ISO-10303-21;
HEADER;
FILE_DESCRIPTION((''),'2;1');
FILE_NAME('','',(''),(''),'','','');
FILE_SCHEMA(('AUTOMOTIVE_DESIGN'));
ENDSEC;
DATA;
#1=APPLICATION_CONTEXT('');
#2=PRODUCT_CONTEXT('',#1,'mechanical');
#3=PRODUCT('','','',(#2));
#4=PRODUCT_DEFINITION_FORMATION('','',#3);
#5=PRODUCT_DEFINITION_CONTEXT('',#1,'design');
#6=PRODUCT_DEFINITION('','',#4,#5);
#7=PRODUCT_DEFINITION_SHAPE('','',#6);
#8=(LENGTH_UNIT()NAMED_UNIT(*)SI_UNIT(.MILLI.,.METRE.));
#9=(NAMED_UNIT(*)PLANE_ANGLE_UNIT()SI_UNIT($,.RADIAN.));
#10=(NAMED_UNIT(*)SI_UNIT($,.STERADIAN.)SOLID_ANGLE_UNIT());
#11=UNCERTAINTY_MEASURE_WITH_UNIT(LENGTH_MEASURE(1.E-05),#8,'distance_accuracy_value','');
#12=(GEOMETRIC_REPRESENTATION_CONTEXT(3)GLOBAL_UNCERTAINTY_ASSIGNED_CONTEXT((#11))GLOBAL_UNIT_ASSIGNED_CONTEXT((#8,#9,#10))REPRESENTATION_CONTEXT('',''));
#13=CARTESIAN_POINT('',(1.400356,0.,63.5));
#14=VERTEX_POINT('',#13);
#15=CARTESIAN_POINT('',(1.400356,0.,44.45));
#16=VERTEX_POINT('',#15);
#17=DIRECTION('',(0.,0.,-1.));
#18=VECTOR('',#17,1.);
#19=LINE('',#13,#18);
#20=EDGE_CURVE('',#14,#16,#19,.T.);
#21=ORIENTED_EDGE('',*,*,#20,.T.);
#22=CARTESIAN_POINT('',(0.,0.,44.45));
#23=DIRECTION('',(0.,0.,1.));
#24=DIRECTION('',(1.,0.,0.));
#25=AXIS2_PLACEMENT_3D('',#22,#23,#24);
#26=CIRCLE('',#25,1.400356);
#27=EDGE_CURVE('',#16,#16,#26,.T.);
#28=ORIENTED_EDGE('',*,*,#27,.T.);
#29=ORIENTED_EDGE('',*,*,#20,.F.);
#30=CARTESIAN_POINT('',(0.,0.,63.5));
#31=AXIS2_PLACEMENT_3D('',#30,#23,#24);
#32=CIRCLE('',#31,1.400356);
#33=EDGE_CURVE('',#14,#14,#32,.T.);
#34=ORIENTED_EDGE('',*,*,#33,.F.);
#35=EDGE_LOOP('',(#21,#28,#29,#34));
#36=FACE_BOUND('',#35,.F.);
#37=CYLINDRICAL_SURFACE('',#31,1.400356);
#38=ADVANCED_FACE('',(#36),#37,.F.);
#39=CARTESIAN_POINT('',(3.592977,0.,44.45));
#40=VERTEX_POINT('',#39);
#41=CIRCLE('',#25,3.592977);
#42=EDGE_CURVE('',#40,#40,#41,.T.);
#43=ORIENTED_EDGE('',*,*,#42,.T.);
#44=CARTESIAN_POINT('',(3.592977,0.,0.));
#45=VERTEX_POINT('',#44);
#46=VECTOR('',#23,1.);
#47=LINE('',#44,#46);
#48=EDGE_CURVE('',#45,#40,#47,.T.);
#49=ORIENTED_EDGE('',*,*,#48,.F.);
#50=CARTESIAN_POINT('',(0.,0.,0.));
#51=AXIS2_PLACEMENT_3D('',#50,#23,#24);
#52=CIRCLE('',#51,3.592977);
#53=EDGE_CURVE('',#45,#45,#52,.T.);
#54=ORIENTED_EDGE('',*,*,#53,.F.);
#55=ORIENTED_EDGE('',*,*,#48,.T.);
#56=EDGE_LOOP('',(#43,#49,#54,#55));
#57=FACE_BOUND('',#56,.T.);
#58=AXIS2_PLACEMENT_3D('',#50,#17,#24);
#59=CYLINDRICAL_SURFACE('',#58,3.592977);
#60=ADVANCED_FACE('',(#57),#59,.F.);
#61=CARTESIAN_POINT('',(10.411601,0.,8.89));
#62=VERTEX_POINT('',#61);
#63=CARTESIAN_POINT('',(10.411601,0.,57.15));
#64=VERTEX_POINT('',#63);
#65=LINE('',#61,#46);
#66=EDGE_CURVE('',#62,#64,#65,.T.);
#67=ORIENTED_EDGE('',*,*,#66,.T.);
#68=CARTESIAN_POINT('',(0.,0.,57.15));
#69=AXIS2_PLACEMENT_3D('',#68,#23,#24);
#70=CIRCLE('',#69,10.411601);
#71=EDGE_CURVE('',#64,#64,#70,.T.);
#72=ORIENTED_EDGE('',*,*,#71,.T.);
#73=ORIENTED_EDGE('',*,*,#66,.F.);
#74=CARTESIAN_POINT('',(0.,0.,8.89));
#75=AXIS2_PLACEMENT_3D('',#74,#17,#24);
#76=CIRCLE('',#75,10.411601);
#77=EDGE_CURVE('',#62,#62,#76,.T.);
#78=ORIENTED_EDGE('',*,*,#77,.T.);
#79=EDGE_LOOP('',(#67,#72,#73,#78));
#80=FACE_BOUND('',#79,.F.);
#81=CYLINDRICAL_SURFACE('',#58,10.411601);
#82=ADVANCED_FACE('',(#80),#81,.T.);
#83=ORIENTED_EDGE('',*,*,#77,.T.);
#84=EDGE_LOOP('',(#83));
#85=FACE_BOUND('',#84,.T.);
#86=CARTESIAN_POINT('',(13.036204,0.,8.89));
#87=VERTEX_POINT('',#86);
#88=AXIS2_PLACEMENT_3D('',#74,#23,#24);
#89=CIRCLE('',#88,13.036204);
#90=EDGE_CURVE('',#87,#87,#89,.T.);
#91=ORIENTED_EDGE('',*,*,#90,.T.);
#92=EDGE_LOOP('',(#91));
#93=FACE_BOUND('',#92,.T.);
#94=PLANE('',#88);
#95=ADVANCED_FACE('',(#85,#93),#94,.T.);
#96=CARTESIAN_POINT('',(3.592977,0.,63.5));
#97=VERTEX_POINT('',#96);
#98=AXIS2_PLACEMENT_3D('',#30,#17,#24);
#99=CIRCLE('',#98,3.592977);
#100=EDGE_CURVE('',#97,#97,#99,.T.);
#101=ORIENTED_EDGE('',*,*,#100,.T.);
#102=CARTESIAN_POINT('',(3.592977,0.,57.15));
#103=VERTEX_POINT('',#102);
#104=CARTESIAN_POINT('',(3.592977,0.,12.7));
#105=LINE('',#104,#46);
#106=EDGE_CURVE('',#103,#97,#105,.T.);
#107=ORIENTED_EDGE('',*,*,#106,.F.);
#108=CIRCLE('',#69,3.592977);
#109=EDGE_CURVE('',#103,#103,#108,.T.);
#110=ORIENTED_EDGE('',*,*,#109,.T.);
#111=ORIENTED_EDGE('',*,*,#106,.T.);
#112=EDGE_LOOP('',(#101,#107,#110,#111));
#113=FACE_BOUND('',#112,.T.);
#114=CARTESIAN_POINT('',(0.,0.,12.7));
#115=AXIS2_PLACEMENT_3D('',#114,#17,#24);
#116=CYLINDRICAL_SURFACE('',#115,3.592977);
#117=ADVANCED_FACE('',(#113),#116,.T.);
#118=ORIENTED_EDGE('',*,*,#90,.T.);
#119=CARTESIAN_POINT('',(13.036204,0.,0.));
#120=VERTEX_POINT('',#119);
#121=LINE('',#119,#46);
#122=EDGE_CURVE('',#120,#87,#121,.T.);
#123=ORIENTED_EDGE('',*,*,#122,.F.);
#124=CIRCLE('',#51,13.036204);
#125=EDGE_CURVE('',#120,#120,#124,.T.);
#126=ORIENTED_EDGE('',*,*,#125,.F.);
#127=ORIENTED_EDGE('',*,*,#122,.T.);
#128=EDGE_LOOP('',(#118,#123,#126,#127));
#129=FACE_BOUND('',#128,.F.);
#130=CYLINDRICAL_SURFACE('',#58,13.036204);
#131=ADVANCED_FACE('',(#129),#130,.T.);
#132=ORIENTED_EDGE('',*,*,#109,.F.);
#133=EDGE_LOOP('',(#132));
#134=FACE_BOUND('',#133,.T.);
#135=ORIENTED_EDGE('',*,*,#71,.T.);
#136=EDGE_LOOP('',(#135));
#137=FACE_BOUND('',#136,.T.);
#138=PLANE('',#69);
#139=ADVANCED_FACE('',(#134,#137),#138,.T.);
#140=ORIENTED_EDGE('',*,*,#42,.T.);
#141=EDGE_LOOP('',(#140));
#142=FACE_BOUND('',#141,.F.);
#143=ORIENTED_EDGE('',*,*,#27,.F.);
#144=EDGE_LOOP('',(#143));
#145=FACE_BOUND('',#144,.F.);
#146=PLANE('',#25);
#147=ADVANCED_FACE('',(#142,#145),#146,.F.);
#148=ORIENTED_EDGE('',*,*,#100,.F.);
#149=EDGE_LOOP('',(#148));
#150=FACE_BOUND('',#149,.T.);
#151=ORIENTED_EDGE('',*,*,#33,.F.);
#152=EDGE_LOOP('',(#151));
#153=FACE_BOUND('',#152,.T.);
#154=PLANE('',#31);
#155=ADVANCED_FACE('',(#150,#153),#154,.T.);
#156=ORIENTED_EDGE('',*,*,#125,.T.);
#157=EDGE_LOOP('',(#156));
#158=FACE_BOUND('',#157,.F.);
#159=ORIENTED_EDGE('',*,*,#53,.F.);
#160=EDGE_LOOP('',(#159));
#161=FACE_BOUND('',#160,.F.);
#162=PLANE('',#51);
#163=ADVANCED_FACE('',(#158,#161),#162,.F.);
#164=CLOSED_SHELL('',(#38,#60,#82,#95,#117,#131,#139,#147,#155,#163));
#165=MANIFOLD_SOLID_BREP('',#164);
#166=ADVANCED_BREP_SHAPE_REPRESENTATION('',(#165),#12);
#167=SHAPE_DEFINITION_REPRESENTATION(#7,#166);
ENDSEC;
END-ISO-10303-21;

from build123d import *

# Parameters (mm, degrees)
F0_R     = 13.0362037077
F0_R_2   = 10.4116007046
F0_R_3   = 3.592976873
F1_DEPTH = 12.7
F2_DEPTH = 57.15
F3_DEPTH = 50.8
F4_DEPTH = 3.81
F5_DEPTH = 44.45
F6_R     = 1.4003561132
F7_DEPTH = 63.501


with BuildPart() as f1:
    # F0 (on Top) → F1 (new body)
    with BuildSketch(Plane.XY):
        Circle(F0_R)
        Circle(F0_R_2, mode=Mode.SUBTRACT)
        Circle(F0_R_2)
        Circle(F0_R_3, mode=Mode.SUBTRACT)
        Circle(F0_R_3)
    extrude(amount=F1_DEPTH)

    # F0 (on Top) → F2 (join)
    with BuildSketch(Plane.XY):
        Circle(F0_R_2)
        Circle(F0_R_3, mode=Mode.SUBTRACT)
    extrude(amount=F2_DEPTH)

    # F3 (add): a face of the model
    f3_faces = [f1.faces().sort_by_distance(p)[0] for p in [
        (0, 0, 12.7),
    ]]
    extrude(f3_faces, amount=F3_DEPTH)

    # F4 (cut): a face of the model
    f4_faces = [f1.faces().sort_by_distance(p)[0] for p in [
        (-12.667484186, 0, 12.7),
    ]]
    extrude(f4_faces, amount=-F4_DEPTH, mode=Mode.SUBTRACT)

    # F0 (on Top) → F5 (cut)
    with BuildSketch(Plane.XY):
        Circle(F0_R_3)
    extrude(amount=F5_DEPTH, mode=Mode.SUBTRACT)

    # F6 (on face) → F7 (cut, through all)
    with BuildSketch(Plane.XY.offset(63.5)):
        Circle(F6_R)
    extrude(amount=-F7_DEPTH, mode=Mode.SUBTRACT)


solid = f1.part
